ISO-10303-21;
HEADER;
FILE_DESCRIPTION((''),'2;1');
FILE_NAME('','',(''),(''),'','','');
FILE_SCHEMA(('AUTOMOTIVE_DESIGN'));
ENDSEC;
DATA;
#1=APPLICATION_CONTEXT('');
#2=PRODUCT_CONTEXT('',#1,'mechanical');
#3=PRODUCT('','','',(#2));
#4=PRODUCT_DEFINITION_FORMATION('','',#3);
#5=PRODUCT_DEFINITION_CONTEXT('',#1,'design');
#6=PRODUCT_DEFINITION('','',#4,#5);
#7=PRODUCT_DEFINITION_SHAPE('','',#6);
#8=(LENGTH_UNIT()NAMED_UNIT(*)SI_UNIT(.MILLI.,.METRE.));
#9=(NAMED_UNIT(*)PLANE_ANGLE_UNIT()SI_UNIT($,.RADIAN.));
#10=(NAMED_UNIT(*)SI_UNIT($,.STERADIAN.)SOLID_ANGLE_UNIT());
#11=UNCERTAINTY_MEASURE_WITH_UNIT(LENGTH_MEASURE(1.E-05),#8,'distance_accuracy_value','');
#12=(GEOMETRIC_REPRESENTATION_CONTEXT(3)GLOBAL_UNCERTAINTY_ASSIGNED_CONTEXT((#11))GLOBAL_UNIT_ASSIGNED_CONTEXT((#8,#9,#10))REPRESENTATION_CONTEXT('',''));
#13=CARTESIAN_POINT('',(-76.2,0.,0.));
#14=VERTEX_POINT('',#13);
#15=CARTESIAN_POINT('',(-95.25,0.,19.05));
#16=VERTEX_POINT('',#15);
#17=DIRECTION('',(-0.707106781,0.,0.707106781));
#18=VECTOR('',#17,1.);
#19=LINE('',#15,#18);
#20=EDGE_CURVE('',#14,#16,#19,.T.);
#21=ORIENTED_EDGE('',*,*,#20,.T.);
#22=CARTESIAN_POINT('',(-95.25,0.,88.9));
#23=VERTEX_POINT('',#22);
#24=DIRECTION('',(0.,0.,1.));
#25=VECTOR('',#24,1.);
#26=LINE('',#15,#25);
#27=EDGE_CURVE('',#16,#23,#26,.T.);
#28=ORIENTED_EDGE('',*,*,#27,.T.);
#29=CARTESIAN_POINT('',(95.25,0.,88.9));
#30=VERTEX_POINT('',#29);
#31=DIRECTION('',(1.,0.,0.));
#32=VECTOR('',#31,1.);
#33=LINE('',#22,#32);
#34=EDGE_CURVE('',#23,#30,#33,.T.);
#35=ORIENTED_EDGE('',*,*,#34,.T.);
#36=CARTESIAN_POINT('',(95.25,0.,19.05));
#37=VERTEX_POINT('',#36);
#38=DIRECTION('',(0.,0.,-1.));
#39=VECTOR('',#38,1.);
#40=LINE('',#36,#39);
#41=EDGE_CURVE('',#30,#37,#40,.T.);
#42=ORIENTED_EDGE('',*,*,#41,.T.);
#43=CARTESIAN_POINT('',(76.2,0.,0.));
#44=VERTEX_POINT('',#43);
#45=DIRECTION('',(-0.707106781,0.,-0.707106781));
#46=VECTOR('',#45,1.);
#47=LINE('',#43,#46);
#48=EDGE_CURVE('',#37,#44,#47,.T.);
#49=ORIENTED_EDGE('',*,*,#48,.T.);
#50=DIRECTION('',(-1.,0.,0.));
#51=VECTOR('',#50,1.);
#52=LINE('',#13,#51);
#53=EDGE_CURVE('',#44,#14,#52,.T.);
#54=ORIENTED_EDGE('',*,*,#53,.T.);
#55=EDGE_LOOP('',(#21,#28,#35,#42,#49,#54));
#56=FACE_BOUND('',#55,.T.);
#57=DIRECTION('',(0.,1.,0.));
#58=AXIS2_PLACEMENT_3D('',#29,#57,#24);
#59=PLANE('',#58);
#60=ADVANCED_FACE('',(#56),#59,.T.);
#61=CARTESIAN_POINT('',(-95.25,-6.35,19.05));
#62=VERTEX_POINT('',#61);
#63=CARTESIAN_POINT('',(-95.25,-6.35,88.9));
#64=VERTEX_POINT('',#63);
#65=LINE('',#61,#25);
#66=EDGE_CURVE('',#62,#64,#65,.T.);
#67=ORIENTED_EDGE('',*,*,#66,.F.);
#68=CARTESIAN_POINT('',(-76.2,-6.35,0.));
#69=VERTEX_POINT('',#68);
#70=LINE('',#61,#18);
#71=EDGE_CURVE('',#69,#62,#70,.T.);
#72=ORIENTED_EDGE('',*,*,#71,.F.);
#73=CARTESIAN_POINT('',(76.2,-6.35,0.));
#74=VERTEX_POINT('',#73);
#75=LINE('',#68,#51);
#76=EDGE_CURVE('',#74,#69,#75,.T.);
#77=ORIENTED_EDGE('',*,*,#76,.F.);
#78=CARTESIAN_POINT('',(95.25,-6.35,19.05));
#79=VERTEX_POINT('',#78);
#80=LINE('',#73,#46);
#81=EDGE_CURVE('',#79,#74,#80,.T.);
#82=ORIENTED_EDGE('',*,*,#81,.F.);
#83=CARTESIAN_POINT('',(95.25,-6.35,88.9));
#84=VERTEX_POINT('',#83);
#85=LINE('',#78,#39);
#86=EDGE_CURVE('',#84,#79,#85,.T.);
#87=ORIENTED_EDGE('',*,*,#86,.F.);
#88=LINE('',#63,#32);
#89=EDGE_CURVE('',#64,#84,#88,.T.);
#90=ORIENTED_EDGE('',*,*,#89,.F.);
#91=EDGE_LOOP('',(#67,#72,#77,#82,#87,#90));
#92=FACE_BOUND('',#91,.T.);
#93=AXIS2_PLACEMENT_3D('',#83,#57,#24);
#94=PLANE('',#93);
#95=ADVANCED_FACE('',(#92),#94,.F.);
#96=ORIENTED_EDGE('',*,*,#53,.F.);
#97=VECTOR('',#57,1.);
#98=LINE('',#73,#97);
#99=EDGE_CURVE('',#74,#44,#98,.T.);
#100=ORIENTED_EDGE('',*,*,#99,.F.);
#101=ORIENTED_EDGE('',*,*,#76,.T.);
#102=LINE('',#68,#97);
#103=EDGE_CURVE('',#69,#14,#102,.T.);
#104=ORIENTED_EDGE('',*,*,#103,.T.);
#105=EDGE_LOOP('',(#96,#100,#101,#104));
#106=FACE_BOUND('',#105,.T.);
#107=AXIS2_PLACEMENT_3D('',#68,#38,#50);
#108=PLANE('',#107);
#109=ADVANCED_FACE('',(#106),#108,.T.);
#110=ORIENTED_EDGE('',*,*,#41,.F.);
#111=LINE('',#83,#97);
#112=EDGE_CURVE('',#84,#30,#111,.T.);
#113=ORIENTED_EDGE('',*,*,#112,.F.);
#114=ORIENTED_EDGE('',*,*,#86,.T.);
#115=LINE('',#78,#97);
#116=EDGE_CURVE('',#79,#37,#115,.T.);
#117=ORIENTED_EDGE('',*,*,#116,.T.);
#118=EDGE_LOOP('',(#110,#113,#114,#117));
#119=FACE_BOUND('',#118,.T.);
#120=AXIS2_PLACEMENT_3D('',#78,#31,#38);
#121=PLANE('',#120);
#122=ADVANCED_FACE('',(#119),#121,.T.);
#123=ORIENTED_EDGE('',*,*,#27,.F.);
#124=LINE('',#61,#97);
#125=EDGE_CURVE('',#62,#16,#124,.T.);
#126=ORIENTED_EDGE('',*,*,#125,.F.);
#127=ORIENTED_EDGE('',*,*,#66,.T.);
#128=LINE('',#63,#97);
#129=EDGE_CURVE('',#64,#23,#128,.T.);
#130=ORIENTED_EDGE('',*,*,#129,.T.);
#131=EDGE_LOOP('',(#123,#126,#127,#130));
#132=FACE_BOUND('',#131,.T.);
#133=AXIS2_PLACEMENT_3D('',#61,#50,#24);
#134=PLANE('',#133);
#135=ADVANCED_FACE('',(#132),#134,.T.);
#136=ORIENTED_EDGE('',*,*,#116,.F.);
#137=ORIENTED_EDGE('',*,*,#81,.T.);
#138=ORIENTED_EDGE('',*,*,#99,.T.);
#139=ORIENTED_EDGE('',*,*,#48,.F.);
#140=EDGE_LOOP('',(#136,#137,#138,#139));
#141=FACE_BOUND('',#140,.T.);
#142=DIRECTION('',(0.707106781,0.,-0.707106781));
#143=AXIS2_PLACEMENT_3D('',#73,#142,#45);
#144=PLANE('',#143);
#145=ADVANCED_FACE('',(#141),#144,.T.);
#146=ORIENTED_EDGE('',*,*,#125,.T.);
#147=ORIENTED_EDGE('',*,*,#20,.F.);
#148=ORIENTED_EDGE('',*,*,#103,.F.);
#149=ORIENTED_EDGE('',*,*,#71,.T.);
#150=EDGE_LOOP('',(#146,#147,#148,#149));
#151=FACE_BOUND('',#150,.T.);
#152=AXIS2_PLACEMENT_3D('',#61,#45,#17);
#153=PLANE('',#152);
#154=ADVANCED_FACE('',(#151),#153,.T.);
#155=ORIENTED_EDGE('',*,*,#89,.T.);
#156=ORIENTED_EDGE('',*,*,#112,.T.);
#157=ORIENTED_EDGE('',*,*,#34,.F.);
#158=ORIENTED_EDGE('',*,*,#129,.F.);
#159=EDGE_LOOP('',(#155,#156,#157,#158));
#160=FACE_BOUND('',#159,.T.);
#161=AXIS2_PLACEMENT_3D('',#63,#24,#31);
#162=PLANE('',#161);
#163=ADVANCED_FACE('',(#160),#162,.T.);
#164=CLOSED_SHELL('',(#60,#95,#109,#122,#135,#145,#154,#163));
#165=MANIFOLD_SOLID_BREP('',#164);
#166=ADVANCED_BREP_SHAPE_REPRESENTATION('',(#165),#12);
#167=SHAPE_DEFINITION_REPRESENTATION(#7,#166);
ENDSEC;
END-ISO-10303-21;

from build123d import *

# Parameters (mm, degrees)
BASE_EXTRUDE_DEPTH = 6.35


with BuildPart() as part:
    # Sketch2 → Base-Extrude (new body)
    with BuildSketch(Plane(origin=(0, 0, 0), x_dir=(1, 0, 0), z_dir=(0, 1, 0))):
        Polygon((-95.25, -19.05), (-76.2, 0), (76.2, 0), (95.25, -19.05), (95.25, -88.9), (-95.25, -88.9), align=None)
    extrude(amount=-BASE_EXTRUDE_DEPTH)


solid = part.part
